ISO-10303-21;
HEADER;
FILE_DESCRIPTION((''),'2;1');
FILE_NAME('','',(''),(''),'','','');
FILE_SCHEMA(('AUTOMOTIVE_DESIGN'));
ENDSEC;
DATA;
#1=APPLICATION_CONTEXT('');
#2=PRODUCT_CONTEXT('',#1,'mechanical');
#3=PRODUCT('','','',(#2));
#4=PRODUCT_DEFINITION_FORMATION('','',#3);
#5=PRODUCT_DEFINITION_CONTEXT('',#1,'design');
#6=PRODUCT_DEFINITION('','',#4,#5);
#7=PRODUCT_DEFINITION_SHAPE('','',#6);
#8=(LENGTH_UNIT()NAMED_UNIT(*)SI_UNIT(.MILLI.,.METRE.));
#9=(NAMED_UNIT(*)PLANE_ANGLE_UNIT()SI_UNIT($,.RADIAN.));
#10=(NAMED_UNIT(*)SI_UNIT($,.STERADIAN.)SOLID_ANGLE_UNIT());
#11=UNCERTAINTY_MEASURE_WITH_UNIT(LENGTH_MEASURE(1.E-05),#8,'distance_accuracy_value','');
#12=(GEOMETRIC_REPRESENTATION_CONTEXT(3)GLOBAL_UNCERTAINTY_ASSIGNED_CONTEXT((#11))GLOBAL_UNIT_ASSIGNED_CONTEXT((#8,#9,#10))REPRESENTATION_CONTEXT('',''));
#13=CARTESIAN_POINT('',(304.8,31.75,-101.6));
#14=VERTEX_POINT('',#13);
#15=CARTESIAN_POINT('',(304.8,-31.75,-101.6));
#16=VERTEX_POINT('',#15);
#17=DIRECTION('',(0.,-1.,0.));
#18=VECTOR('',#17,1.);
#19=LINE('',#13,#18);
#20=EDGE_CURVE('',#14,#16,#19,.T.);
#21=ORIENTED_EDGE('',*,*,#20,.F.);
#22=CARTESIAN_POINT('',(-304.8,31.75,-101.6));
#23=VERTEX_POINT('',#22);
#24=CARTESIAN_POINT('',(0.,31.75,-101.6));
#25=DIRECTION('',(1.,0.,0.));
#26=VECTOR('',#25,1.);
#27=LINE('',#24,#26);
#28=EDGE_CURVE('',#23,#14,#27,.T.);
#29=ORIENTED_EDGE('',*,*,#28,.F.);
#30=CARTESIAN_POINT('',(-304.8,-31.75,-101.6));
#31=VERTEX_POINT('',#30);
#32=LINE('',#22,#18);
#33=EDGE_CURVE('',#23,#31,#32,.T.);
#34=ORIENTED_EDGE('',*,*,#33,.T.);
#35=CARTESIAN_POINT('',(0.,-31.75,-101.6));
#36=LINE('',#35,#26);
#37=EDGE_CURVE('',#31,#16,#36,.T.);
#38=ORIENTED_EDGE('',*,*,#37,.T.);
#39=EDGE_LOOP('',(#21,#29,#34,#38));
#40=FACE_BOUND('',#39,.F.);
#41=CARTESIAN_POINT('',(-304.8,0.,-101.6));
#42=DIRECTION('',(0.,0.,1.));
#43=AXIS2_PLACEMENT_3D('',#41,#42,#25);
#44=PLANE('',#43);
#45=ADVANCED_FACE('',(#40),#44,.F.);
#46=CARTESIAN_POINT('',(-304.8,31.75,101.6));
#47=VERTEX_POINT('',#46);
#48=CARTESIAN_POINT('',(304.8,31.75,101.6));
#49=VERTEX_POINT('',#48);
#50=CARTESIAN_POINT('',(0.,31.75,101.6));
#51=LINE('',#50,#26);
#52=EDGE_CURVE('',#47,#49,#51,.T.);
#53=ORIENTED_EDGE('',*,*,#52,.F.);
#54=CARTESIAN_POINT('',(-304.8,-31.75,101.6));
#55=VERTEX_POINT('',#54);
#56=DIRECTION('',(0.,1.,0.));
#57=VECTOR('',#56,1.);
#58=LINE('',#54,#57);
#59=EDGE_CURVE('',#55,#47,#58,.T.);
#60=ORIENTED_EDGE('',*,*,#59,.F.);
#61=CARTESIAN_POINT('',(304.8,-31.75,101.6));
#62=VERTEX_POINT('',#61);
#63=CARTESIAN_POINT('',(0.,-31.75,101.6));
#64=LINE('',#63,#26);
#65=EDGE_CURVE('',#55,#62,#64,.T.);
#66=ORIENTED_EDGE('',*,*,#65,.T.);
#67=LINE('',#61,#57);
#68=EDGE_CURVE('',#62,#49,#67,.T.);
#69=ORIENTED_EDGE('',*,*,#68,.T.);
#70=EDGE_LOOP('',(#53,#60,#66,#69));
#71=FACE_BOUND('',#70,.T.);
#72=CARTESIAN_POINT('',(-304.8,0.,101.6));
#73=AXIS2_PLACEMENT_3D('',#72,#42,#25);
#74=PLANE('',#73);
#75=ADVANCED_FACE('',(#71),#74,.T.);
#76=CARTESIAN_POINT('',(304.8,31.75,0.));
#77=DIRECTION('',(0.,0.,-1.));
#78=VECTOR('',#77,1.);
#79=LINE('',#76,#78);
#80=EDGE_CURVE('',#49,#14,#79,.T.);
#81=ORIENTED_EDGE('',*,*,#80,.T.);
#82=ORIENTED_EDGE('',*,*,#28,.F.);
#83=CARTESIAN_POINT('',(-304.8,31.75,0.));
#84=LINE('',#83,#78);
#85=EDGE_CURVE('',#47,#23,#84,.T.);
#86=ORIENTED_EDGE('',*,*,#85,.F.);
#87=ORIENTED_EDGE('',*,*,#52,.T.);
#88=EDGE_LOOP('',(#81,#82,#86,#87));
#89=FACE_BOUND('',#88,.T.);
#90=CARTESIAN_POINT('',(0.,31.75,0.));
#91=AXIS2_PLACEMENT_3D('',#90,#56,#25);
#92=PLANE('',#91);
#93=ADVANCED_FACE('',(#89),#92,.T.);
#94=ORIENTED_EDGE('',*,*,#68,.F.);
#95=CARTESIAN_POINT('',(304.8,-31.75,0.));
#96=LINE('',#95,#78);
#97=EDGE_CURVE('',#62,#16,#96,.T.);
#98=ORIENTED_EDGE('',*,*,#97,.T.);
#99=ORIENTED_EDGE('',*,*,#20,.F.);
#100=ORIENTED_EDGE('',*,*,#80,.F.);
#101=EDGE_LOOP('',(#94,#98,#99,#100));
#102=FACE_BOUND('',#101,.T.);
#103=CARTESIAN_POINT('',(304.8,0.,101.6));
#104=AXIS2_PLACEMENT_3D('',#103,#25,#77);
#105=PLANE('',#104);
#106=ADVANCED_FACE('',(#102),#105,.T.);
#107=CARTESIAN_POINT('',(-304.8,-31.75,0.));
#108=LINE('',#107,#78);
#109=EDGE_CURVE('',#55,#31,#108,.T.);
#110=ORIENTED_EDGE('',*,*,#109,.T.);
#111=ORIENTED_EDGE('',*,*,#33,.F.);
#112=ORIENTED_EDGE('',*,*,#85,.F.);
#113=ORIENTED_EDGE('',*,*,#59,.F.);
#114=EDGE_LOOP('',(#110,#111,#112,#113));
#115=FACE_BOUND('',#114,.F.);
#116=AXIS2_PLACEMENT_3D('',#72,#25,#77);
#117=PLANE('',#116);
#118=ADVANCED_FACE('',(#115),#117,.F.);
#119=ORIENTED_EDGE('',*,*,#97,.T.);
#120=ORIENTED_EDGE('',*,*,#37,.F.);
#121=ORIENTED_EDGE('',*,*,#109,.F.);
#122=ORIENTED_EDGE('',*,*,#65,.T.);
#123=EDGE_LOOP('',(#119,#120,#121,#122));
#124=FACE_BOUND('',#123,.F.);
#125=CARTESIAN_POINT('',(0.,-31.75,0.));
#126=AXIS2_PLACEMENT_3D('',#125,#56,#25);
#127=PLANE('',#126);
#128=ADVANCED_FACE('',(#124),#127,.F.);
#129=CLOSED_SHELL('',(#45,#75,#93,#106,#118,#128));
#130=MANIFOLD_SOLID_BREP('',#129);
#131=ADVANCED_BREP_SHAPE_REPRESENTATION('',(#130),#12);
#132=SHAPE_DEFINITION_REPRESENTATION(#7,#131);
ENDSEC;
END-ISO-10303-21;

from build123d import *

# Parameters (mm, degrees)
SKETCH1_W           = 609.6
SKETCH1_H           = 203.2
BOSS_EXTRUDE1_DEPTH = 31.75


with BuildPart() as part:
    # Sketch1 → Boss-Extrude1 (new body, symmetric)
    with BuildSketch(Plane(origin=(0, 0, 0), x_dir=(1, 0, 0), z_dir=(0, 1, 0))):
        Rectangle(SKETCH1_W, SKETCH1_H)
    extrude(amount=BOSS_EXTRUDE1_DEPTH, both=True)


solid = part.part
